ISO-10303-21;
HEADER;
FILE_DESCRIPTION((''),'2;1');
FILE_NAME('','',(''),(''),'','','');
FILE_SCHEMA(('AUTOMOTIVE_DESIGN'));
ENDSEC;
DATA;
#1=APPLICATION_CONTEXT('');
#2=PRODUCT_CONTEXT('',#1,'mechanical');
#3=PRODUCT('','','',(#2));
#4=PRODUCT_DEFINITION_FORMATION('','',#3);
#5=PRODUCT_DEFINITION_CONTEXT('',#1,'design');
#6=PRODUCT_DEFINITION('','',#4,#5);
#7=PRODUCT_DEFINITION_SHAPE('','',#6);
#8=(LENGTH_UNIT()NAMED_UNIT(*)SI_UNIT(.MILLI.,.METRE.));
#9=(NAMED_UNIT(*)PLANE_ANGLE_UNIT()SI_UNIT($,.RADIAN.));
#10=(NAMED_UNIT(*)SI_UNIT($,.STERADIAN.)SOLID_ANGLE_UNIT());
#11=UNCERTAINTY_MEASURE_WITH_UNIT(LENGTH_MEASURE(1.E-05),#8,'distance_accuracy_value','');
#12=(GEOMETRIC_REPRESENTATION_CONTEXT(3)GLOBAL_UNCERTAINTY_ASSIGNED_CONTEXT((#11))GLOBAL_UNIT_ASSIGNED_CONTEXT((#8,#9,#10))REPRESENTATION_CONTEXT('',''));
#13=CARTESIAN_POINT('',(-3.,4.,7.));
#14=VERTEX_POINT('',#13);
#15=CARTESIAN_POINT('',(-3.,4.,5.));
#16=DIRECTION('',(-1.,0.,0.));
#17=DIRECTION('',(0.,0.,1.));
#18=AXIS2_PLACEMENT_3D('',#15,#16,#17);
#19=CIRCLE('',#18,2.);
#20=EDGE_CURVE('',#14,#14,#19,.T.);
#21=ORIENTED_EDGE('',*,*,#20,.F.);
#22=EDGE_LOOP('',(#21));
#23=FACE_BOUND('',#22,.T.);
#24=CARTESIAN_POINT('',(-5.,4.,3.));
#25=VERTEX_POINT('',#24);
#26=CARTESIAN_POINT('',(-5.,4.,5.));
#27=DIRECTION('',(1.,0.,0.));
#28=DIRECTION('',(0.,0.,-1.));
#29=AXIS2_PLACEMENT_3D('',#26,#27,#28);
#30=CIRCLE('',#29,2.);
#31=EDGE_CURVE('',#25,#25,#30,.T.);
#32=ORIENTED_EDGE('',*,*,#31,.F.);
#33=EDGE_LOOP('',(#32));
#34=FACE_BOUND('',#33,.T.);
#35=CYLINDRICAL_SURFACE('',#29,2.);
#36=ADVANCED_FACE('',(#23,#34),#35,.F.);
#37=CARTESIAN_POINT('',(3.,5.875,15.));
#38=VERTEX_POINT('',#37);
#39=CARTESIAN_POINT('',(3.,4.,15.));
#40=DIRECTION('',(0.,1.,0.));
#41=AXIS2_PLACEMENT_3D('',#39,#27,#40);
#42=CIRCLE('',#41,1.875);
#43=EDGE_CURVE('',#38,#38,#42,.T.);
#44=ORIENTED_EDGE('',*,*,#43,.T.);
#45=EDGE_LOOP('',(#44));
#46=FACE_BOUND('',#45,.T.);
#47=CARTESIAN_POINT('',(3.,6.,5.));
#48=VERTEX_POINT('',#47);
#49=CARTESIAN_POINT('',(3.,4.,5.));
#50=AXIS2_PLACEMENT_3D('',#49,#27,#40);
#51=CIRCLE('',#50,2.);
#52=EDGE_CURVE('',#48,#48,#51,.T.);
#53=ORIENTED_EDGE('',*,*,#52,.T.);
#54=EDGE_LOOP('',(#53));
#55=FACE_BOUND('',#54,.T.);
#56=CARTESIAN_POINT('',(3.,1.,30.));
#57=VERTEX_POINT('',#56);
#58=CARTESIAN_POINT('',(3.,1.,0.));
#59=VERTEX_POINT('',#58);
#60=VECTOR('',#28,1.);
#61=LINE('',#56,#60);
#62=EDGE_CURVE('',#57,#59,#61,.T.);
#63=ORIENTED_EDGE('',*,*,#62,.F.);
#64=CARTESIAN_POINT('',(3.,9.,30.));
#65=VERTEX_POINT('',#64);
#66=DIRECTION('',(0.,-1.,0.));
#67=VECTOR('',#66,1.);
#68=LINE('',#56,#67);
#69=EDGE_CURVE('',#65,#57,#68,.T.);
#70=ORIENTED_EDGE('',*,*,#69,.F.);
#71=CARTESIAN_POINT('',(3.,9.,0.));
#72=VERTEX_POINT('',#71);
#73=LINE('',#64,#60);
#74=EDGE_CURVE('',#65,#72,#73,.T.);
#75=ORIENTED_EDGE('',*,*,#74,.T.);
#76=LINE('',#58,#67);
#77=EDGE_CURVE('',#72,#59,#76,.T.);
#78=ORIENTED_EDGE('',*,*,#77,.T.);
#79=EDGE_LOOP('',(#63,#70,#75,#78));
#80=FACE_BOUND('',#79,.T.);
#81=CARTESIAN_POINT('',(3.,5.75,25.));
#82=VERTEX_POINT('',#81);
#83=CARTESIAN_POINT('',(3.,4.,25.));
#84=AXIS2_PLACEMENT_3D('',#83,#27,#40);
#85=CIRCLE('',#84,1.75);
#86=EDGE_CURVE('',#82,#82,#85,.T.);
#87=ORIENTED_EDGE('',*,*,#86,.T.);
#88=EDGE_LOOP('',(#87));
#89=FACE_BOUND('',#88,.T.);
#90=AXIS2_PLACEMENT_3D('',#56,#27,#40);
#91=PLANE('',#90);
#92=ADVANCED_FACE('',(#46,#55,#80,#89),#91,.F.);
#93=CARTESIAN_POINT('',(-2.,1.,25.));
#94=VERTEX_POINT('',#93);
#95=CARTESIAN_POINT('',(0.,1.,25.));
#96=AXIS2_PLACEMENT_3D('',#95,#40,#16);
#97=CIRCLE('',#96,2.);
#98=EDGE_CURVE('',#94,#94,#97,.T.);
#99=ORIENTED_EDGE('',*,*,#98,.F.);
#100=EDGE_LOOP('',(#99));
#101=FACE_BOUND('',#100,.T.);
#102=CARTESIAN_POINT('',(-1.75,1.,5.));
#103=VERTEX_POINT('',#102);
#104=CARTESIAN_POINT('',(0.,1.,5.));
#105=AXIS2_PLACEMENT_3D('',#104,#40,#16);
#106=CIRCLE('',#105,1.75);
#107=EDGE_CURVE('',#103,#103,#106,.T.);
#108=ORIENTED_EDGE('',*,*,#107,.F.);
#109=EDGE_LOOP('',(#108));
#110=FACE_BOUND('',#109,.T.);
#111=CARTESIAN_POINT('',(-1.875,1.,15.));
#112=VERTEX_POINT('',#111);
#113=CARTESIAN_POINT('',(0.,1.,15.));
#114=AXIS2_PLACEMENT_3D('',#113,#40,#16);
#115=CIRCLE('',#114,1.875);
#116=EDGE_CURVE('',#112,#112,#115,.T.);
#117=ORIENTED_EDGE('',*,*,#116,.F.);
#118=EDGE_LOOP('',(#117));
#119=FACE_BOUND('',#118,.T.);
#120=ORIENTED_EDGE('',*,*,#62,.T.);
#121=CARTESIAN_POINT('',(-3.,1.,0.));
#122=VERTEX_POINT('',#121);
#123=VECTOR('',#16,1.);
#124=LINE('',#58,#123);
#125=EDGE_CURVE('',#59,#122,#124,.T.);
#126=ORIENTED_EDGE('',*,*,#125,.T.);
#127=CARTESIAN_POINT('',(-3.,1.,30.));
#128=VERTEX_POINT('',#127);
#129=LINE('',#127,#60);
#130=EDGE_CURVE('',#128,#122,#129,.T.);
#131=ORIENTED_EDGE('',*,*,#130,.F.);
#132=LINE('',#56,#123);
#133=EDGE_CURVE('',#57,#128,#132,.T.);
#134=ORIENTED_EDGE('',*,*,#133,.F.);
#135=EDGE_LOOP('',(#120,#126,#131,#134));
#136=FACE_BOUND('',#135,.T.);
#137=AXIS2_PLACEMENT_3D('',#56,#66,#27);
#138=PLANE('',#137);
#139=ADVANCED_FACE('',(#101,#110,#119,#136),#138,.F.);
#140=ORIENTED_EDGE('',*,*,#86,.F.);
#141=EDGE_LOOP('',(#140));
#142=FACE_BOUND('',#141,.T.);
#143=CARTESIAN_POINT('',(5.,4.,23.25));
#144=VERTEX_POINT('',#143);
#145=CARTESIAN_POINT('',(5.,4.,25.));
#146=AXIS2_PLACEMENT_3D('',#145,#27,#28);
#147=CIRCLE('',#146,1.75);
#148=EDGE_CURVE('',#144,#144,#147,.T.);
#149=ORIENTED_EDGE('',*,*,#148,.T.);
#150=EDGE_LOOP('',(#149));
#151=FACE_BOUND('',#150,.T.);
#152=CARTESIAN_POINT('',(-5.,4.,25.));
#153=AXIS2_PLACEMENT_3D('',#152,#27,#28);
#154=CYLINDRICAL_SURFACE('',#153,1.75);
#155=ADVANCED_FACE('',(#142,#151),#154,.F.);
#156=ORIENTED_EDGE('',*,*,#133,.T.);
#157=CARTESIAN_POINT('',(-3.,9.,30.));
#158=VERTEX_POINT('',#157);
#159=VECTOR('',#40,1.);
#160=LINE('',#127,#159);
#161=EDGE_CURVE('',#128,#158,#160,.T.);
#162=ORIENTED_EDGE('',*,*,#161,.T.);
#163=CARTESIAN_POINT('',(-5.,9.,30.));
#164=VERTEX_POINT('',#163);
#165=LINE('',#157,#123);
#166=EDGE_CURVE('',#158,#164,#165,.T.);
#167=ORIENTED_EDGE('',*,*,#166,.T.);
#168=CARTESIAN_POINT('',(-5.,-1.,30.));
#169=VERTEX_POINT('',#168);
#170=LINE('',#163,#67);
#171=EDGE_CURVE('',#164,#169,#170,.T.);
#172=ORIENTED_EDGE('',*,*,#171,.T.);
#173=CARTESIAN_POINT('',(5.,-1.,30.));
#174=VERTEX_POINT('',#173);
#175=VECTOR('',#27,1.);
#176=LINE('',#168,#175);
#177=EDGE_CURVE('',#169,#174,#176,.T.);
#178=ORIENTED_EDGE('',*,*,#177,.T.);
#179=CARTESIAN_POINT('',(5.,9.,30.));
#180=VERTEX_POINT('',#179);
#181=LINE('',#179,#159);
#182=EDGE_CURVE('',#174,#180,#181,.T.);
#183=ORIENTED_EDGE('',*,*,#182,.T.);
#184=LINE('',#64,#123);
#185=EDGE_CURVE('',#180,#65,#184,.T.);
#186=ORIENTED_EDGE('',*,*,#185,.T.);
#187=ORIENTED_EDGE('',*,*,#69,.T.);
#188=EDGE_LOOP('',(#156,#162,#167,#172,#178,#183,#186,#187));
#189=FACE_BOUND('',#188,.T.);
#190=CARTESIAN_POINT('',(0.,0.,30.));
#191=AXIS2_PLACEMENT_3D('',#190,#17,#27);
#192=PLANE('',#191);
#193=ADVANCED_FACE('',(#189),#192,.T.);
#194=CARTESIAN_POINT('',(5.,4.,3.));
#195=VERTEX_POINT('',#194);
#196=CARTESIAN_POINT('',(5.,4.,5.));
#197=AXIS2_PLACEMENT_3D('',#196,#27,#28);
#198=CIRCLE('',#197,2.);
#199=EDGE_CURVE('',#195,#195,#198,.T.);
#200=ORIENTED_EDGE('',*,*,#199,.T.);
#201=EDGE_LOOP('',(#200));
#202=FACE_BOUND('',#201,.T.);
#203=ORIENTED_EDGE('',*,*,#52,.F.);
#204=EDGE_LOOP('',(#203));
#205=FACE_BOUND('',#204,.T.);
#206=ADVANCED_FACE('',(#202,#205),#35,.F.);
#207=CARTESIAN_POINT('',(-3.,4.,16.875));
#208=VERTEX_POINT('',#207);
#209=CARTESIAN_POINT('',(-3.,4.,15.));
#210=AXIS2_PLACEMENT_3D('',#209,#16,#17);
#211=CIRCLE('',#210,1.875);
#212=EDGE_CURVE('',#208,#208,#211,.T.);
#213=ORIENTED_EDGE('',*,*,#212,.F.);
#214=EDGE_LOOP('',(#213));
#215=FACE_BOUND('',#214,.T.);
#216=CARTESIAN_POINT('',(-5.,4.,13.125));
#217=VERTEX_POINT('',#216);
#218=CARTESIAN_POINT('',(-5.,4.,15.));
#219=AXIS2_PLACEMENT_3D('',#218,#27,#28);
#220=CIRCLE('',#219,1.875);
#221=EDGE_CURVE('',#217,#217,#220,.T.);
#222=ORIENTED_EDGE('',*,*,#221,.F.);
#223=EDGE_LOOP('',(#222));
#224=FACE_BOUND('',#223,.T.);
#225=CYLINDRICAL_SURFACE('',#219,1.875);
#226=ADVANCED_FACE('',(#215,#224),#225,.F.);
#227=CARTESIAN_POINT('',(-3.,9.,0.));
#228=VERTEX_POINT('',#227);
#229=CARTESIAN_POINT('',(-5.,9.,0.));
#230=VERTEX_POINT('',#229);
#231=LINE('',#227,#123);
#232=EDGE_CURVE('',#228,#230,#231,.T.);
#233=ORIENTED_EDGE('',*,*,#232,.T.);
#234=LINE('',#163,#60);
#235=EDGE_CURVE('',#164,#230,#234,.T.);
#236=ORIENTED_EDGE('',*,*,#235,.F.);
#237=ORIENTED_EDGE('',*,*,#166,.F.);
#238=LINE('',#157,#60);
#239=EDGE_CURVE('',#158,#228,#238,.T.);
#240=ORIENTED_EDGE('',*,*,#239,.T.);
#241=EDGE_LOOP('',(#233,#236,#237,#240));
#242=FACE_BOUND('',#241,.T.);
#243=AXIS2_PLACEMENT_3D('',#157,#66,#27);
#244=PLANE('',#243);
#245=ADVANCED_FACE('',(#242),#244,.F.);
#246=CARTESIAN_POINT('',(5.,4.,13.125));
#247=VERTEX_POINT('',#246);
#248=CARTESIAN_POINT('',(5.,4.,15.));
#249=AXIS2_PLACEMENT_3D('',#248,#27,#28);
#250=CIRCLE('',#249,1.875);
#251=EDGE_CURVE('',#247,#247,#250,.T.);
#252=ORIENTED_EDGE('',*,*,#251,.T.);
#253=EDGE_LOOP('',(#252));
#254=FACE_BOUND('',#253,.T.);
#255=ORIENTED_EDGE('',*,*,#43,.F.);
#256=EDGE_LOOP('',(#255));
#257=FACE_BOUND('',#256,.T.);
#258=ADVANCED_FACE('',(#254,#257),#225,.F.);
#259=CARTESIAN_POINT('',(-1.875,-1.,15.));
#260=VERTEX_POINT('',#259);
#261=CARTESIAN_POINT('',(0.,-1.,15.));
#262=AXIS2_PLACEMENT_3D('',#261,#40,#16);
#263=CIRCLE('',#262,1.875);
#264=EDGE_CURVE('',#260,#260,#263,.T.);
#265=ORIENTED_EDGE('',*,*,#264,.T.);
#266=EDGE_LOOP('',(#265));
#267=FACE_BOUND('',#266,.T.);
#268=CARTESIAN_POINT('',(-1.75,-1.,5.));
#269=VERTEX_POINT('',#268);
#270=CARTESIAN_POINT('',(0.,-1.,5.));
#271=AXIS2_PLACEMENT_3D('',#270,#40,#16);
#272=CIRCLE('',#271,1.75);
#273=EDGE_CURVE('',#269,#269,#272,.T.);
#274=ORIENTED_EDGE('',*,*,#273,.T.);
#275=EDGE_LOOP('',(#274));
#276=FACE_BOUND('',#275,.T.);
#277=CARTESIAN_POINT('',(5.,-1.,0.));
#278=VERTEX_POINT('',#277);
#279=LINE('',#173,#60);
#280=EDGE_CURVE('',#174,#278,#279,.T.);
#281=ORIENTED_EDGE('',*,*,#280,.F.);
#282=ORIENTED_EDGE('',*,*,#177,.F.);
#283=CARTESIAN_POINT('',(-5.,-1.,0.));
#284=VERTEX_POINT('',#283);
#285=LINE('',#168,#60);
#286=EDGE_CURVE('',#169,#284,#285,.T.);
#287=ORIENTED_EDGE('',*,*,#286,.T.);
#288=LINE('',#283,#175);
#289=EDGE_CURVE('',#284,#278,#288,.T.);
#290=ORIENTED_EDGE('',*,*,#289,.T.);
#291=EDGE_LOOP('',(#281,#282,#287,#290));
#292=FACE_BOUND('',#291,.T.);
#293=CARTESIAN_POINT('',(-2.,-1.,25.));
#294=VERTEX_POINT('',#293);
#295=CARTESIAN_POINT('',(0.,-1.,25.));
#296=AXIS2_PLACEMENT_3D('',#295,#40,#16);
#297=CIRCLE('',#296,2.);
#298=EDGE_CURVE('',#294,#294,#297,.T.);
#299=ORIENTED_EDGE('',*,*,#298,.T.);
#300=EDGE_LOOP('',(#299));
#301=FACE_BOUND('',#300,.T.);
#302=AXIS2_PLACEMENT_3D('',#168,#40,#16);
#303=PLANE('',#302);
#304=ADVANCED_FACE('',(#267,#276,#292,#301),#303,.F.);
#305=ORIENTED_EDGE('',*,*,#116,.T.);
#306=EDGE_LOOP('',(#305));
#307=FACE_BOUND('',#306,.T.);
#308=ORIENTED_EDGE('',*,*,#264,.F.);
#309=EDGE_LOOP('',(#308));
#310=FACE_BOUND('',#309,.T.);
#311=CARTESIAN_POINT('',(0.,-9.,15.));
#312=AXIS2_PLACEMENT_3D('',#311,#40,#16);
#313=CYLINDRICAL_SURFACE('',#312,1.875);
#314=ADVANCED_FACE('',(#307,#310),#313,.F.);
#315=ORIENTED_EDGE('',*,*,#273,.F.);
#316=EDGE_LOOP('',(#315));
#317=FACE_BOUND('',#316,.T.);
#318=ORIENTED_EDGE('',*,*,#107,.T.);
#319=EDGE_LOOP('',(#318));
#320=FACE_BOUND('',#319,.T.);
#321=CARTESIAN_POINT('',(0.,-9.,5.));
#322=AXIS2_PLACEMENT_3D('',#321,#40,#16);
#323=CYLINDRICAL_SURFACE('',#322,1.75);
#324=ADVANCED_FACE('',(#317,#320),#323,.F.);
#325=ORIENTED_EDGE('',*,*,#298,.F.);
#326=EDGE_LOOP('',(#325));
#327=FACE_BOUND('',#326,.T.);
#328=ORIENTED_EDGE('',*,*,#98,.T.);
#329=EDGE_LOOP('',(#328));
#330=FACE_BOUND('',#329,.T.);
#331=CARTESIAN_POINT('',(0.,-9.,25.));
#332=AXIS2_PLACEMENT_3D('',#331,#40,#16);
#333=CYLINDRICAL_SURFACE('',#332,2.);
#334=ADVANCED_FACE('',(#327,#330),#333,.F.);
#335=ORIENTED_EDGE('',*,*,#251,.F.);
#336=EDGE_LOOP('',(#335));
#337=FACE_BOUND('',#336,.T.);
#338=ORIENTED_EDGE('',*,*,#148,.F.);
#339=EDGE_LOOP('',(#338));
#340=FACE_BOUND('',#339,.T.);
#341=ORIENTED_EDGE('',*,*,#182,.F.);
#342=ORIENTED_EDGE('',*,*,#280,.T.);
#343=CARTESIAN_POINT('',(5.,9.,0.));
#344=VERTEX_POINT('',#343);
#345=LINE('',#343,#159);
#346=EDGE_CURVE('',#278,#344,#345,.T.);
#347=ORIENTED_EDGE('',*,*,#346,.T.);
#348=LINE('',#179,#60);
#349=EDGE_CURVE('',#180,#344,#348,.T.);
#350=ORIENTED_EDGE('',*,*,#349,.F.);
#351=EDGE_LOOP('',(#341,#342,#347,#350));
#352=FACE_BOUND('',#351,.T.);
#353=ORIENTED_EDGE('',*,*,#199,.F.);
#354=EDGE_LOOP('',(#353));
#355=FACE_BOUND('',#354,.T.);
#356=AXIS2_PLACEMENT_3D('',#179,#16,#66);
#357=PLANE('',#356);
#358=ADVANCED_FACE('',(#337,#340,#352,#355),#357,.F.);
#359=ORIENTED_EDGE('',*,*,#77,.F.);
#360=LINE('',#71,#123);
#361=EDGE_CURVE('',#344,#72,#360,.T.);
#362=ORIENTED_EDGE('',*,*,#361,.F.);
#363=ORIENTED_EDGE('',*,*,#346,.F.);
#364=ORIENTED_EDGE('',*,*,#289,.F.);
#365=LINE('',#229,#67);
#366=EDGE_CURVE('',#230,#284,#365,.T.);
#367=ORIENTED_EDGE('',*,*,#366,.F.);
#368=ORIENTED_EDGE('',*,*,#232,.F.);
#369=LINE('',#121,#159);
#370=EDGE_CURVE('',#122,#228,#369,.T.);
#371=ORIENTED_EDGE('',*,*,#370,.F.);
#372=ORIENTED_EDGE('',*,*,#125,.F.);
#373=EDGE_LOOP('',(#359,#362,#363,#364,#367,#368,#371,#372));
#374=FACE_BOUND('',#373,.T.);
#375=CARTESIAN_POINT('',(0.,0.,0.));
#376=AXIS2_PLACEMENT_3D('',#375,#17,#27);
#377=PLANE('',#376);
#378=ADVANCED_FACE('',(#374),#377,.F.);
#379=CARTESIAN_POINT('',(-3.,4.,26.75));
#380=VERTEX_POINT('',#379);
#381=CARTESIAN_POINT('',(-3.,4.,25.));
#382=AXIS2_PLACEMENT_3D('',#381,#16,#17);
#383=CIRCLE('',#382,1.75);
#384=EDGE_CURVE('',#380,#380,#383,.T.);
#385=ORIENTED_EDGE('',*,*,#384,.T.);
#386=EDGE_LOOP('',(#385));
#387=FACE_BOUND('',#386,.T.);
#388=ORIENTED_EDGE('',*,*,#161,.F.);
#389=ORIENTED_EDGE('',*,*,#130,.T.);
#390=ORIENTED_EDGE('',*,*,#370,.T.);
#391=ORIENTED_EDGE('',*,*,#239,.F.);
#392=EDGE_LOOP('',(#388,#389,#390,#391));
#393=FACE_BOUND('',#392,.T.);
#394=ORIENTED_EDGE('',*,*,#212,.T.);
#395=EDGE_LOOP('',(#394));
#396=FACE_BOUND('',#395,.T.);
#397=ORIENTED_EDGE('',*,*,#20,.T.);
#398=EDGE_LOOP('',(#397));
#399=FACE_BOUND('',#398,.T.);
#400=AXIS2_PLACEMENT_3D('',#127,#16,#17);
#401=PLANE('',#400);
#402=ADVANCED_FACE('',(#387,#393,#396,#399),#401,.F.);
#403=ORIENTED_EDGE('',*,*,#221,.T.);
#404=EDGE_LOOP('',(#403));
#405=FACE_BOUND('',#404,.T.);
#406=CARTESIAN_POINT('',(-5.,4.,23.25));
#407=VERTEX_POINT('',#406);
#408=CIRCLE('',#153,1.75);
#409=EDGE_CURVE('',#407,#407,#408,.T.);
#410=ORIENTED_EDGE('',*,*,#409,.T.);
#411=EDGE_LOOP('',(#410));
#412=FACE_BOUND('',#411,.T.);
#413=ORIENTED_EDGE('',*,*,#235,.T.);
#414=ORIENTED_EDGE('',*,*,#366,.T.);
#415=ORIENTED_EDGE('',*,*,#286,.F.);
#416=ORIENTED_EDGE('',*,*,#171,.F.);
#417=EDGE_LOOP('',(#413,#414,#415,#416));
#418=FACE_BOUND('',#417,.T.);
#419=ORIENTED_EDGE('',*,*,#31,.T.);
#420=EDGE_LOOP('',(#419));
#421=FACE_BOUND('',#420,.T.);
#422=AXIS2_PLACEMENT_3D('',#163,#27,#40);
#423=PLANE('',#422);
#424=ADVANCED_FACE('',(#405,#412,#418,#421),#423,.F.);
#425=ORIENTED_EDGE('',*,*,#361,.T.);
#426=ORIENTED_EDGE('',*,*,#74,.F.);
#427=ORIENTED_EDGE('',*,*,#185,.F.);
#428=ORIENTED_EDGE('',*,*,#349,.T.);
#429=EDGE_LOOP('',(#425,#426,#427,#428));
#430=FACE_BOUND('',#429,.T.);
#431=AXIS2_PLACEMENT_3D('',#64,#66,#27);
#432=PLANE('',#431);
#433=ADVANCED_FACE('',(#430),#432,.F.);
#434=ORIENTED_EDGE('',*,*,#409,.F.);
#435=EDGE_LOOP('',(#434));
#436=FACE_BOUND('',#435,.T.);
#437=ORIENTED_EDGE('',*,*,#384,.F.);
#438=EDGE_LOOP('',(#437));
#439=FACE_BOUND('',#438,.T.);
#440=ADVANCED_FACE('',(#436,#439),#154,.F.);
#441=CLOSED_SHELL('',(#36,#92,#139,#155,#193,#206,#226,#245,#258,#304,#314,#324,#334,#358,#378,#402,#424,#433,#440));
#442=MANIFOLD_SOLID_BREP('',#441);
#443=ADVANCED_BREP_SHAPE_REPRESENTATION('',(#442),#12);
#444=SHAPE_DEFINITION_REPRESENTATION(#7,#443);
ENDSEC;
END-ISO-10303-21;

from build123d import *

# Parameters (mm, degrees)
BOSS_EXTRUDE1_DEPTH     = 30
SKETCH2_R               = 1.75
SKETCH2_R_2             = 2
SKETCH2_R_3             = 1.875
CUT_EXTRUDE2_DEPTH      = 9
CUT_EXTRUDE2_DEPTH_BACK = 3
SKETCH3_R               = 1.75
SKETCH3_R_2             = 1.875
SKETCH3_R_3             = 2
CUT_EXTRUDE3_DEPTH      = 10


with BuildPart() as part:
    # Sketch1 → Boss-Extrude1 (new body)
    with BuildSketch(Plane.XY):
        Polygon((3, 1), (-3, 1), (-3, 9), (-5, 9), (-5, -1), (5, -1), (5, 9), (3, 9), align=None)
    extrude(amount=BOSS_EXTRUDE1_DEPTH)

    # Sketch2 → Cut-Extrude2 (cut, two sides)
    with BuildSketch(Plane(origin=(-3, 0, 0), x_dir=(0, 0, -1), z_dir=(1, 0, 0))) as cut_extrude2_sk:
        with Locations((-25, 4)):
            Circle(SKETCH2_R)
        with Locations((-5, 4)):
            Circle(SKETCH2_R_2)
        with Locations((-15, 4)):
            Circle(SKETCH2_R_3)
    extrude(amount=CUT_EXTRUDE2_DEPTH, mode=Mode.SUBTRACT)
    extrude(cut_extrude2_sk.sketch, amount=-CUT_EXTRUDE2_DEPTH_BACK, mode=Mode.SUBTRACT)

    # Sketch3 → Cut-Extrude3 (cut)
    with BuildSketch(Plane(origin=(0, 1, 0), x_dir=(1, 0, 0), z_dir=(0, 1, 0))):
        with Locations((0, -5)):
            Circle(SKETCH3_R)
        with Locations((0, -15)):
            Circle(SKETCH3_R_2)
        with Locations((0, -25)):
            Circle(SKETCH3_R_3)
    extrude(amount=-CUT_EXTRUDE3_DEPTH, mode=Mode.SUBTRACT)


solid = part.part
